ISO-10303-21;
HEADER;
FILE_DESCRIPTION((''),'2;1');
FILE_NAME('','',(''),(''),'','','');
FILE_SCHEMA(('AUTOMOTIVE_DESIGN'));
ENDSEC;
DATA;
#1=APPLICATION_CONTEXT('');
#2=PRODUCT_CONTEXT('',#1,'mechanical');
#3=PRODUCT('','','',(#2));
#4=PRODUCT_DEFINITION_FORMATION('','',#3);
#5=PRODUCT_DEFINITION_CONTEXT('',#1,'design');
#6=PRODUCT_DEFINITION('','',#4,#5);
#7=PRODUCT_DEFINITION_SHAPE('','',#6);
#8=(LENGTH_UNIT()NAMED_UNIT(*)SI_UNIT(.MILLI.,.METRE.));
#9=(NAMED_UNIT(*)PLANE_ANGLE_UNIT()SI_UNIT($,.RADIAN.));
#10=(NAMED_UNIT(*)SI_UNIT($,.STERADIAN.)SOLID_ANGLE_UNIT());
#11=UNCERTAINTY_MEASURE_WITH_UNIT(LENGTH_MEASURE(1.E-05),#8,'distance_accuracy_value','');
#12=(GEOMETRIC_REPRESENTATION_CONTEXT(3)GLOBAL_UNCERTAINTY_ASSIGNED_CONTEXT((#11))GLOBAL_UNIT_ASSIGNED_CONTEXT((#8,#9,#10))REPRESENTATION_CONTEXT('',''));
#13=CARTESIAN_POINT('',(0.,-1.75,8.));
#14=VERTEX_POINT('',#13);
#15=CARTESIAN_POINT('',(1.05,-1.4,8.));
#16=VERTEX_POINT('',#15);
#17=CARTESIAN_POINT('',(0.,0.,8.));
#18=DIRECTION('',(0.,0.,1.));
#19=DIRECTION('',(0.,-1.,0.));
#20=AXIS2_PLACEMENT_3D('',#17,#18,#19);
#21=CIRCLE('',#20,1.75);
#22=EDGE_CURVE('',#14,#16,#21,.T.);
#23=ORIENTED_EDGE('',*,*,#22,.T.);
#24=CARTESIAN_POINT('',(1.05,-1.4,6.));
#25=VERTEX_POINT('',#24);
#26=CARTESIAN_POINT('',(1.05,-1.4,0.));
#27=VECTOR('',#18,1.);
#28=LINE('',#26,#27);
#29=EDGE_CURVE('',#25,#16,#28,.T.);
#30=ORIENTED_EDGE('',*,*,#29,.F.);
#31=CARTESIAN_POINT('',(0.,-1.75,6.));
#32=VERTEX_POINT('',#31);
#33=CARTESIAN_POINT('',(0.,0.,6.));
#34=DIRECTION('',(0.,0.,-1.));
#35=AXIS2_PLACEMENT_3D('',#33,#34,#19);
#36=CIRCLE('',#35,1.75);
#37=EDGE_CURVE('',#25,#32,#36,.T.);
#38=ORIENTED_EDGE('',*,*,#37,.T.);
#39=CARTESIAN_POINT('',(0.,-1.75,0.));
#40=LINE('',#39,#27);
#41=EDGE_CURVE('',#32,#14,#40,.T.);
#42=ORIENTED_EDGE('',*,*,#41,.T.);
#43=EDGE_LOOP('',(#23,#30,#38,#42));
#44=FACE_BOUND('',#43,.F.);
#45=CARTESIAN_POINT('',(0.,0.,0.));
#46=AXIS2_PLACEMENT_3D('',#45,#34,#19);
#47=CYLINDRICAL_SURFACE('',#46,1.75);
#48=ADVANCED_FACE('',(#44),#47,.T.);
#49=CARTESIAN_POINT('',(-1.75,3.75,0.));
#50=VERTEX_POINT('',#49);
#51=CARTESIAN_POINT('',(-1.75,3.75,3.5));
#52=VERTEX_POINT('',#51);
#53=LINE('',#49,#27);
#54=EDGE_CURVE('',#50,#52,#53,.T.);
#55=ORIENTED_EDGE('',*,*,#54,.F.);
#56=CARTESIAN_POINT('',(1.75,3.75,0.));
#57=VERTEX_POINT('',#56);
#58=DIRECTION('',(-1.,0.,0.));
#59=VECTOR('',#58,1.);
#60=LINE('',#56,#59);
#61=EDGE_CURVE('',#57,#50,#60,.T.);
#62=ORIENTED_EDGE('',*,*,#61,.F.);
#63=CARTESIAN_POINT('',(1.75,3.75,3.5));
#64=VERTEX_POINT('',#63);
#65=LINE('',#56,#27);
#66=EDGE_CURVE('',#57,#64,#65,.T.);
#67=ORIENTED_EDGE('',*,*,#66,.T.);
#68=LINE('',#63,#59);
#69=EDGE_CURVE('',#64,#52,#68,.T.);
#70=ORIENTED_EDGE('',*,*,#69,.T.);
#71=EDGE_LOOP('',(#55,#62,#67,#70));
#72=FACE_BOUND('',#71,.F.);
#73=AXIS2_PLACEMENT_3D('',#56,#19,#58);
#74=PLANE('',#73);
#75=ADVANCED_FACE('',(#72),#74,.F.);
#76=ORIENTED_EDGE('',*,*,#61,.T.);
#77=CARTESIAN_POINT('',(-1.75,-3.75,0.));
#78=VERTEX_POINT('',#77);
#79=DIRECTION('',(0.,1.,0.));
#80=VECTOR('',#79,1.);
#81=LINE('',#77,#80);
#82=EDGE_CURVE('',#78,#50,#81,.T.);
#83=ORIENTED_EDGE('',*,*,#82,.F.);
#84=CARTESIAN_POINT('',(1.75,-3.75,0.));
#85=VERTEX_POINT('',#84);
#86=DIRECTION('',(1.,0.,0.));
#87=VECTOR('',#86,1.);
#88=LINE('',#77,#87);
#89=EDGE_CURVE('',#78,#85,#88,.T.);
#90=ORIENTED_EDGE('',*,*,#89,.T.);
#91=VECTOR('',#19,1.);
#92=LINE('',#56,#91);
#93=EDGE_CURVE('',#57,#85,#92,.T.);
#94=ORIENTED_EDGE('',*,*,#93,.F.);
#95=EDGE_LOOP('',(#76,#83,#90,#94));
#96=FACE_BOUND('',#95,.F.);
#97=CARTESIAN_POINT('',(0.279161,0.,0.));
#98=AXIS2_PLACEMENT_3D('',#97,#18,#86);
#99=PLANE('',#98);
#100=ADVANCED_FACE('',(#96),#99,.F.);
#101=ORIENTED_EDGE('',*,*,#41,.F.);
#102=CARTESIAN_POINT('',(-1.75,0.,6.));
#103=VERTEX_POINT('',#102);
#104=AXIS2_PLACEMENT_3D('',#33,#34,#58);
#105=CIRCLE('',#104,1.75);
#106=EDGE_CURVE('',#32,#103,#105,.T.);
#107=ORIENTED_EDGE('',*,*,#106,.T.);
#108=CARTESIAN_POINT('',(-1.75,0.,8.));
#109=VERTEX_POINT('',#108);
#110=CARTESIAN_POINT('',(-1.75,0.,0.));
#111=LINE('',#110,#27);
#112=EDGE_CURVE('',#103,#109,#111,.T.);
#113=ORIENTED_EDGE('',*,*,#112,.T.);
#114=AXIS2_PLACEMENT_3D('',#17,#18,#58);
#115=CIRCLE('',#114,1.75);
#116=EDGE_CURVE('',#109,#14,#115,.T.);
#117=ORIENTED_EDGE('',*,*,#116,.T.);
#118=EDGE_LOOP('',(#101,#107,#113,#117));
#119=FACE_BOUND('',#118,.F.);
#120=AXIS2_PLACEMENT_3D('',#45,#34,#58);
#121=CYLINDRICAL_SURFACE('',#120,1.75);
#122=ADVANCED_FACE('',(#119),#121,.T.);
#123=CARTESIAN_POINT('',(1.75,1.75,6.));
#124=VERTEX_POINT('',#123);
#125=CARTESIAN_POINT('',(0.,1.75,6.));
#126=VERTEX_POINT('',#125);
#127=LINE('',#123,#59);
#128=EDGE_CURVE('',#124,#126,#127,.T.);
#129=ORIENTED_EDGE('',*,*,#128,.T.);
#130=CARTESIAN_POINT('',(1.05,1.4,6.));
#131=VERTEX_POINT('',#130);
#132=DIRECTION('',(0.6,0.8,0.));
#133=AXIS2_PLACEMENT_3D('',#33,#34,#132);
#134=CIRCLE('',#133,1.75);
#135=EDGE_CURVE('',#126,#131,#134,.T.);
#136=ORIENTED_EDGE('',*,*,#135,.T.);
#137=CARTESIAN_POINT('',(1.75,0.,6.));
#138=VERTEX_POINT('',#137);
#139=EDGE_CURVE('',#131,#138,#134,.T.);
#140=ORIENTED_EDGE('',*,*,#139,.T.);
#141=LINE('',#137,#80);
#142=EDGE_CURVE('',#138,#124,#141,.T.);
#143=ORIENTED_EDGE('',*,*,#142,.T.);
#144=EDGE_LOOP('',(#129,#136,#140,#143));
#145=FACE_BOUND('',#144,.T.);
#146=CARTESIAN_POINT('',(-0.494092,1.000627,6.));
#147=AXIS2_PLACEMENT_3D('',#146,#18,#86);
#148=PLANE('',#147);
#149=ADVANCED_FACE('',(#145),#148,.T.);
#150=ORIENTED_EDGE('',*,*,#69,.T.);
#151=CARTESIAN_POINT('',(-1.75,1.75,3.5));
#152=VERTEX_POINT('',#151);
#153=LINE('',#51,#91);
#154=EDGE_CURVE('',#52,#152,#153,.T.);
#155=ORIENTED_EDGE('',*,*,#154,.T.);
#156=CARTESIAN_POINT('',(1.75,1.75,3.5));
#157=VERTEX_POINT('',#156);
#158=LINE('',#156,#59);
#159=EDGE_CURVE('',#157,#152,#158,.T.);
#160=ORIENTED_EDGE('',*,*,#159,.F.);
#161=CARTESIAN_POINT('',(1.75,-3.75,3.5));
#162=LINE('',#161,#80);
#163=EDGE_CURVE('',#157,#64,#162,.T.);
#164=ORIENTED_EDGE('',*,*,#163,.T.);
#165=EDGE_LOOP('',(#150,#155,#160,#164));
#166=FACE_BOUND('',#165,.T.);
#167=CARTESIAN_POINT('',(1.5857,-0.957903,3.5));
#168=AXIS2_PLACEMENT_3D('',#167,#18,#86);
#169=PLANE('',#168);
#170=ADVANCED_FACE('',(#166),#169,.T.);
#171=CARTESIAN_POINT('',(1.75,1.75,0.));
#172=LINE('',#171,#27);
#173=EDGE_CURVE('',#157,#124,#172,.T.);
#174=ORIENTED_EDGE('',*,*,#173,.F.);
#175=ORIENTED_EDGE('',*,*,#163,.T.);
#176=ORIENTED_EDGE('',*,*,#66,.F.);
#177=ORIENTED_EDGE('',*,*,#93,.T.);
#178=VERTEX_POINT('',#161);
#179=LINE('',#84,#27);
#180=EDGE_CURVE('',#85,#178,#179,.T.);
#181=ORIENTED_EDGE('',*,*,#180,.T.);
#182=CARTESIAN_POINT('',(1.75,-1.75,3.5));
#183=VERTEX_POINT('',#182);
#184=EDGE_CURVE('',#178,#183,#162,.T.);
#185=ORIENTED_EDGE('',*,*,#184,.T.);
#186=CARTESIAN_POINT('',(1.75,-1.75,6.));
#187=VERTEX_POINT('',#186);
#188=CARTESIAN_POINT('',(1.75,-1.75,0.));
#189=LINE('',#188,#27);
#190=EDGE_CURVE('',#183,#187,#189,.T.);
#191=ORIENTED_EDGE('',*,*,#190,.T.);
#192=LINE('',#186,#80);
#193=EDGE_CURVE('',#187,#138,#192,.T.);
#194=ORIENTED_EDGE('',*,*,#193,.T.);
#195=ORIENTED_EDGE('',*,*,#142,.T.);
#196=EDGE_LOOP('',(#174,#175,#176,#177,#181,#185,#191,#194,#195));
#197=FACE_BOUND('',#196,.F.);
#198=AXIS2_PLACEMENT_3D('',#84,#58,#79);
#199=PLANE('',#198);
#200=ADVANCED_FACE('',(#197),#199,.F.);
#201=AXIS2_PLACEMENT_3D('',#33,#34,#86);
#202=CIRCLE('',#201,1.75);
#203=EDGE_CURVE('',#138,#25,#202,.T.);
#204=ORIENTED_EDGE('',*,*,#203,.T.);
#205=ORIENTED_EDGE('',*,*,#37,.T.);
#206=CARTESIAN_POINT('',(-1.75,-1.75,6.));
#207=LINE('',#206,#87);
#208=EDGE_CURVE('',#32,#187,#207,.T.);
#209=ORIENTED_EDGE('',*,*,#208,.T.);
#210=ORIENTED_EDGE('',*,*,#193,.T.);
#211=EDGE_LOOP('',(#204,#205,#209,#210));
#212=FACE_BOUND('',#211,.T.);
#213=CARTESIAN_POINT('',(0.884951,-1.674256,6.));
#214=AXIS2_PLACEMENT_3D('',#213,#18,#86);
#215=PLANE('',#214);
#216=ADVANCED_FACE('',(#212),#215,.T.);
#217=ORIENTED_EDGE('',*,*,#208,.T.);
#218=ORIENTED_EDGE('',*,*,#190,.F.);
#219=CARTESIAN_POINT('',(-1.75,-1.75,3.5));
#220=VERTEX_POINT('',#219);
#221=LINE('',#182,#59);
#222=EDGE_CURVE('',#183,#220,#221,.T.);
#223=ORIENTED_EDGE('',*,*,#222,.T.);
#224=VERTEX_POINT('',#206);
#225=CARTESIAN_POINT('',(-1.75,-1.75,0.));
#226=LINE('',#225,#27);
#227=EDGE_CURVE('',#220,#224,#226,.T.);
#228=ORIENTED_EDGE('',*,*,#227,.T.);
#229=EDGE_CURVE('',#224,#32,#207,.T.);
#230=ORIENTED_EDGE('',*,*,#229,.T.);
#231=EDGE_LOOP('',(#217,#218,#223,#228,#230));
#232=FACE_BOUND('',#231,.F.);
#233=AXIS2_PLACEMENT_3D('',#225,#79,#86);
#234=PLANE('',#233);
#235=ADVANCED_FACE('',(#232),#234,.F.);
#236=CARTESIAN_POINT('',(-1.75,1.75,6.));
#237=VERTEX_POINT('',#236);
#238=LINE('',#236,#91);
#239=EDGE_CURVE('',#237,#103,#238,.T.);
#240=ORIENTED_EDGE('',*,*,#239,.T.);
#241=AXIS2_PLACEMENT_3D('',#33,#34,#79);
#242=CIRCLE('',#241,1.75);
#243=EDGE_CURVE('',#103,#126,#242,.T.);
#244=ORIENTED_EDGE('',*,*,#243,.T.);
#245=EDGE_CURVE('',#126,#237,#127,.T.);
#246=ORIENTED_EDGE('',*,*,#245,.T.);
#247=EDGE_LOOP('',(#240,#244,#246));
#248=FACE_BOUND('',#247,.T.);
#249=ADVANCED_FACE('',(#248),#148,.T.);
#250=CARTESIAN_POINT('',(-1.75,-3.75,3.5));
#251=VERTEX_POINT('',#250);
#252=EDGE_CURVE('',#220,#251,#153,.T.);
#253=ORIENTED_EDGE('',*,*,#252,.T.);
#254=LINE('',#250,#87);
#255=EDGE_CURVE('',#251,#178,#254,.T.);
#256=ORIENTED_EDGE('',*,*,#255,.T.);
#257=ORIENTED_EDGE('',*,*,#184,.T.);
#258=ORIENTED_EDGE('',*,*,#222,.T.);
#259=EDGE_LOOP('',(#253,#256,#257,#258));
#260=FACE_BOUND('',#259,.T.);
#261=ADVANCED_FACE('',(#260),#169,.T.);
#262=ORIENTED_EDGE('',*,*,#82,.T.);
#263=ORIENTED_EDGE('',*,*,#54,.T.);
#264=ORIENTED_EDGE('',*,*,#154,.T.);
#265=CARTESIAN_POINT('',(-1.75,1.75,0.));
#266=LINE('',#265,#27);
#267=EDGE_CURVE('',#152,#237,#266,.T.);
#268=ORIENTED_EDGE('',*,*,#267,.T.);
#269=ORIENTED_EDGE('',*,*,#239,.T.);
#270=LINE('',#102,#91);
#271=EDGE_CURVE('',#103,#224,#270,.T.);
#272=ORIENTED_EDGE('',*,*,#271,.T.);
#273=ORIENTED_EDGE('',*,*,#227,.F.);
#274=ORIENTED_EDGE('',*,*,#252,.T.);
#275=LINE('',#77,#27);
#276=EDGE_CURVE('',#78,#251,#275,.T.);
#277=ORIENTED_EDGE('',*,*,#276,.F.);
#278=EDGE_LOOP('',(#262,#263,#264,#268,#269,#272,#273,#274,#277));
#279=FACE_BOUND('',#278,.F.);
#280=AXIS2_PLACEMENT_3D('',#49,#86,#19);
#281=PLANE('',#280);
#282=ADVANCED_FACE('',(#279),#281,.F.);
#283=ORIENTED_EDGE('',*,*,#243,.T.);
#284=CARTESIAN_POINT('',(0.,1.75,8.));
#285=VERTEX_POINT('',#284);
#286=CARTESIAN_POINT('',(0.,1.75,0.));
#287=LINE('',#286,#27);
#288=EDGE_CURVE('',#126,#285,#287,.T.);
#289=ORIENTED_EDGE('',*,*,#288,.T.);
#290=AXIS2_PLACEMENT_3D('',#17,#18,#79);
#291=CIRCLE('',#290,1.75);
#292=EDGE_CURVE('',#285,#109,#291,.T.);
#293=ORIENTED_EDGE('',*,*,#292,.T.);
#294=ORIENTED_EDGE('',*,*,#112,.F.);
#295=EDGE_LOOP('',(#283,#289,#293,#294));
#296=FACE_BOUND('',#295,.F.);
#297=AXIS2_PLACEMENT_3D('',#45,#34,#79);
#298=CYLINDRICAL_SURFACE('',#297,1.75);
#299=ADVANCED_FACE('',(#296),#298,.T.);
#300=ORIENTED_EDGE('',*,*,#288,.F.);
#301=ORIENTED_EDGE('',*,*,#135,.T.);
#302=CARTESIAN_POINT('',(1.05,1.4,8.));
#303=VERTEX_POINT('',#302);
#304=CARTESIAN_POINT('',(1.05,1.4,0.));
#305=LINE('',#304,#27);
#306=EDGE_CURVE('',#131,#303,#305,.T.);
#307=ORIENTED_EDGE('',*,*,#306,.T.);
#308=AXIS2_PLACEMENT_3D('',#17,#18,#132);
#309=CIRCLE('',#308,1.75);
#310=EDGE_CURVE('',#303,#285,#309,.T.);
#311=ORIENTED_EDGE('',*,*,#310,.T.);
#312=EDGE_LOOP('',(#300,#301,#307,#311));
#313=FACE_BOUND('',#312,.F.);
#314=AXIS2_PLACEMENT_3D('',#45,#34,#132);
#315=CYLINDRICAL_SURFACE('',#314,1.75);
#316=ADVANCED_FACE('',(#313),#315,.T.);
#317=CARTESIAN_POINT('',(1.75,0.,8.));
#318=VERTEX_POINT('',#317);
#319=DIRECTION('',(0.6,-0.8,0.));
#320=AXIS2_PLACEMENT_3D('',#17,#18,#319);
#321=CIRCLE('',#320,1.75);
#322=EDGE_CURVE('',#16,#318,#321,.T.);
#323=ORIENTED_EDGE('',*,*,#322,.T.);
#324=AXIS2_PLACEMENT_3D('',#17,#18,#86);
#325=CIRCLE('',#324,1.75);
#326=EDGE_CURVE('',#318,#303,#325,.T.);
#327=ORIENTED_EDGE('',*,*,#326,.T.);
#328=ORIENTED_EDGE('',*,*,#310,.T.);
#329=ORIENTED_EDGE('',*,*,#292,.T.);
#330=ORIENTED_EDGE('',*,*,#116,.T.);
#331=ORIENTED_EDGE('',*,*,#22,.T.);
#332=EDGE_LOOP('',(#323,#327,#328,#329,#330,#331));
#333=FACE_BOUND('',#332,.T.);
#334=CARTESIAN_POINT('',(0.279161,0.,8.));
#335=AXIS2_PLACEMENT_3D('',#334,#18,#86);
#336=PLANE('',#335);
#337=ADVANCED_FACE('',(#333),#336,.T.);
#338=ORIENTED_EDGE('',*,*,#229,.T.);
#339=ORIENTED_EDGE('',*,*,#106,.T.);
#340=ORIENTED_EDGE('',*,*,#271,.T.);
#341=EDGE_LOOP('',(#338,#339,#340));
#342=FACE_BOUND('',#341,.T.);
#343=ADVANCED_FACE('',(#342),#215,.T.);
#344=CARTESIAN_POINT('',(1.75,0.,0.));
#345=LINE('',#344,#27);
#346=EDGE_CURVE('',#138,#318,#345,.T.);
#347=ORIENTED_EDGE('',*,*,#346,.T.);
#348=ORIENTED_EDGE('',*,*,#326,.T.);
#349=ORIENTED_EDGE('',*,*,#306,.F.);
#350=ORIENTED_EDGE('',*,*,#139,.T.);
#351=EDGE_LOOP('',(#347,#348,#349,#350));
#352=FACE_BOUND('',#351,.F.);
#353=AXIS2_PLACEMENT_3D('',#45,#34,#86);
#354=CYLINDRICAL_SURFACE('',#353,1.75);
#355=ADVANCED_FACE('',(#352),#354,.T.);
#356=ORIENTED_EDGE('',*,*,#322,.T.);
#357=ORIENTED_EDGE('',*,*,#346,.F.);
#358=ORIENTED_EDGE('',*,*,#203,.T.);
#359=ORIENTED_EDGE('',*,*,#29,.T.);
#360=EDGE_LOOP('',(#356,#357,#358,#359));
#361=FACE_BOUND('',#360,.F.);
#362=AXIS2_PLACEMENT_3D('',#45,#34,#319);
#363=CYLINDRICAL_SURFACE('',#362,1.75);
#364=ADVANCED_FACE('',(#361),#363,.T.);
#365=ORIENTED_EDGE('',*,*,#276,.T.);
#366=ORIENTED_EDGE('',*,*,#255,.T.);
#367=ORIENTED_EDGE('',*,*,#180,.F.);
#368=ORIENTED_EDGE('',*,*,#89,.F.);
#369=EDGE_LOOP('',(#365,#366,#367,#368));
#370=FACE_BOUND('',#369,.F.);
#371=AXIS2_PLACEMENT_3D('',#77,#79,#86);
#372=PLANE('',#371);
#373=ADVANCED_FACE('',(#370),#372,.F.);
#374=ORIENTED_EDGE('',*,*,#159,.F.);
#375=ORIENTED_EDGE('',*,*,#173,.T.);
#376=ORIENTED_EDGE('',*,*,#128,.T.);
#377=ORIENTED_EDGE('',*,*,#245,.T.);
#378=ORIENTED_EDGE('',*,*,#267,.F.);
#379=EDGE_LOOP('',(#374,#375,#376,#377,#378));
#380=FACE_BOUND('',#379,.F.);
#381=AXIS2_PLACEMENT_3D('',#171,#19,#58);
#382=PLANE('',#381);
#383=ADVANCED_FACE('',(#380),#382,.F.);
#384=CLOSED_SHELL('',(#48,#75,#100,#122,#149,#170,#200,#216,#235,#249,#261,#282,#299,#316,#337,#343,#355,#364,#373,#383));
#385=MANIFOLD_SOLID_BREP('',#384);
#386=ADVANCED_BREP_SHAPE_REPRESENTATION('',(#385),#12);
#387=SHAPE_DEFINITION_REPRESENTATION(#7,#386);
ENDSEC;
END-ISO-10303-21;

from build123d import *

# Parameters (mm, degrees)
F1_DEPTH = 3.5
F2_DEPTH = 8
F3_DEPTH = 6


with BuildPart() as f1:
    # F0 (on Top) → F1 (new body)
    with BuildSketch(Plane.XY):
        with BuildLine():
            Line((1.05, -1.4), (1.75, -1.75))
            Line((1.75, -1.75), (1.75, 0))
            ThreePointArc((1.75, 0), (1.5652475842, -0.7826237921), (1.05, -1.4))
        make_face()
        Polygon((0, 1.75), (1.75, 1.75), (1.75, 3.75), (-1.75, 3.75), (-1.75, 1.75), align=None)
        Polygon((-1.75, -3.75), (1.75, -3.75), (1.75, -1.75), (0, -1.75), (-1.75, -1.75), align=None)
        with BuildLine():
            Line((0, -1.75), (1.75, -1.75))
            Line((1.75, -1.75), (1.05, -1.4))
            ThreePointArc((1.05, -1.4), (0.5533985905, -1.6601957716), (0, -1.75))
        make_face()
        with BuildLine():
            ThreePointArc((-1.75, 0), (-1.2374368671, -1.2374368671), (0, -1.75))
            ThreePointArc((0, -1.75), (0.5533985905, -1.6601957716), (1.05, -1.4))
            Line((1.05, -1.4), (-1.75, 0))
        make_face()
        with BuildLine():
            ThreePointArc((0, 1.75), (-1.2374368671, 1.2374368671), (-1.75, 0))
            Line((-1.75, 0), (1.05, 1.4))
            ThreePointArc((1.05, 1.4), (0.5533985905, 1.6601957716), (0, 1.75))
        make_face()
        with BuildLine():
            Line((1.05, 1.4), (1.75, 1.75))
            Line((1.75, 1.75), (0, 1.75))
            ThreePointArc((0, 1.75), (0.5533985905, 1.6601957716), (1.05, 1.4))
        make_face()
        with BuildLine():
            Line((-1.75, 0), (-1.75, -1.75))
            Line((-1.75, -1.75), (0, -1.75))
            ThreePointArc((0, -1.75), (-1.2374368671, -1.2374368671), (-1.75, 0))
        make_face()
        with BuildLine():
            ThreePointArc((1.05, -1.4), (1.5652475842, -0.7826237921), (1.75, 0))
            ThreePointArc((1.75, 0), (1.5652475842, 0.7826237921), (1.05, 1.4))
            Line((1.05, 1.4), (-1.75, 0))
            Line((-1.75, 0), (1.05, -1.4))
        make_face()
        with BuildLine():
            Line((-1.75, 1.75), (-1.75, 0))
            ThreePointArc((-1.75, 0), (-1.2374368671, 1.2374368671), (0, 1.75))
            Line((0, 1.75), (-1.75, 1.75))
        make_face()
        with BuildLine():
            ThreePointArc((1.05, 1.4), (1.5652475842, 0.7826237921), (1.75, 0))
            Line((1.75, 0), (1.75, 1.75))
            Line((1.75, 1.75), (1.05, 1.4))
        make_face()
    extrude(amount=F1_DEPTH)

    # F0 (on Top) → F2 (join)
    with BuildSketch(Plane.XY):
        with BuildLine():
            ThreePointArc((1.05, -1.4), (1.5652475842, -0.7826237921), (1.75, 0))
            ThreePointArc((1.75, 0), (1.5652475842, 0.7826237921), (1.05, 1.4))
            Line((1.05, 1.4), (-1.75, 0))
            Line((-1.75, 0), (1.05, -1.4))
        make_face()
        with BuildLine():
            ThreePointArc((-1.75, 0), (-1.2374368671, -1.2374368671), (0, -1.75))
            ThreePointArc((0, -1.75), (0.5533985905, -1.6601957716), (1.05, -1.4))
            Line((1.05, -1.4), (-1.75, 0))
        make_face()
        with BuildLine():
            ThreePointArc((0, 1.75), (-1.2374368671, 1.2374368671), (-1.75, 0))
            Line((-1.75, 0), (1.05, 1.4))
            ThreePointArc((1.05, 1.4), (0.5533985905, 1.6601957716), (0, 1.75))
        make_face()
    extrude(amount=F2_DEPTH)

    # F0 (on Top) → F3 (join)
    with BuildSketch(Plane.XY):
        with BuildLine():
            Line((0, -1.75), (1.75, -1.75))
            Line((1.75, -1.75), (1.05, -1.4))
            ThreePointArc((1.05, -1.4), (0.5533985905, -1.6601957716), (0, -1.75))
        make_face()
        with BuildLine():
            ThreePointArc((-1.75, 0), (-1.2374368671, -1.2374368671), (0, -1.75))
            ThreePointArc((0, -1.75), (0.5533985905, -1.6601957716), (1.05, -1.4))
            Line((1.05, -1.4), (-1.75, 0))
        make_face()
        with BuildLine():
            ThreePointArc((0, 1.75), (-1.2374368671, 1.2374368671), (-1.75, 0))
            Line((-1.75, 0), (1.05, 1.4))
            ThreePointArc((1.05, 1.4), (0.5533985905, 1.6601957716), (0, 1.75))
        make_face()
        with BuildLine():
            Line((1.05, 1.4), (1.75, 1.75))
            Line((1.75, 1.75), (0, 1.75))
            ThreePointArc((0, 1.75), (0.5533985905, 1.6601957716), (1.05, 1.4))
        make_face()
        with BuildLine():
            Line((1.05, -1.4), (1.75, -1.75))
            Line((1.75, -1.75), (1.75, 0))
            ThreePointArc((1.75, 0), (1.5652475842, -0.7826237921), (1.05, -1.4))
        make_face()
        with BuildLine():
            ThreePointArc((1.05, 1.4), (1.5652475842, 0.7826237921), (1.75, 0))
            Line((1.75, 0), (1.75, 1.75))
            Line((1.75, 1.75), (1.05, 1.4))
        make_face()
        with BuildLine():
            Line((-1.75, 0), (-1.75, -1.75))
            Line((-1.75, -1.75), (0, -1.75))
            ThreePointArc((0, -1.75), (-1.2374368671, -1.2374368671), (-1.75, 0))
        make_face()
        with BuildLine():
            Line((-1.75, 1.75), (-1.75, 0))
            ThreePointArc((-1.75, 0), (-1.2374368671, 1.2374368671), (0, 1.75))
            Line((0, 1.75), (-1.75, 1.75))
        make_face()
    extrude(amount=F3_DEPTH)


solid = f1.part
